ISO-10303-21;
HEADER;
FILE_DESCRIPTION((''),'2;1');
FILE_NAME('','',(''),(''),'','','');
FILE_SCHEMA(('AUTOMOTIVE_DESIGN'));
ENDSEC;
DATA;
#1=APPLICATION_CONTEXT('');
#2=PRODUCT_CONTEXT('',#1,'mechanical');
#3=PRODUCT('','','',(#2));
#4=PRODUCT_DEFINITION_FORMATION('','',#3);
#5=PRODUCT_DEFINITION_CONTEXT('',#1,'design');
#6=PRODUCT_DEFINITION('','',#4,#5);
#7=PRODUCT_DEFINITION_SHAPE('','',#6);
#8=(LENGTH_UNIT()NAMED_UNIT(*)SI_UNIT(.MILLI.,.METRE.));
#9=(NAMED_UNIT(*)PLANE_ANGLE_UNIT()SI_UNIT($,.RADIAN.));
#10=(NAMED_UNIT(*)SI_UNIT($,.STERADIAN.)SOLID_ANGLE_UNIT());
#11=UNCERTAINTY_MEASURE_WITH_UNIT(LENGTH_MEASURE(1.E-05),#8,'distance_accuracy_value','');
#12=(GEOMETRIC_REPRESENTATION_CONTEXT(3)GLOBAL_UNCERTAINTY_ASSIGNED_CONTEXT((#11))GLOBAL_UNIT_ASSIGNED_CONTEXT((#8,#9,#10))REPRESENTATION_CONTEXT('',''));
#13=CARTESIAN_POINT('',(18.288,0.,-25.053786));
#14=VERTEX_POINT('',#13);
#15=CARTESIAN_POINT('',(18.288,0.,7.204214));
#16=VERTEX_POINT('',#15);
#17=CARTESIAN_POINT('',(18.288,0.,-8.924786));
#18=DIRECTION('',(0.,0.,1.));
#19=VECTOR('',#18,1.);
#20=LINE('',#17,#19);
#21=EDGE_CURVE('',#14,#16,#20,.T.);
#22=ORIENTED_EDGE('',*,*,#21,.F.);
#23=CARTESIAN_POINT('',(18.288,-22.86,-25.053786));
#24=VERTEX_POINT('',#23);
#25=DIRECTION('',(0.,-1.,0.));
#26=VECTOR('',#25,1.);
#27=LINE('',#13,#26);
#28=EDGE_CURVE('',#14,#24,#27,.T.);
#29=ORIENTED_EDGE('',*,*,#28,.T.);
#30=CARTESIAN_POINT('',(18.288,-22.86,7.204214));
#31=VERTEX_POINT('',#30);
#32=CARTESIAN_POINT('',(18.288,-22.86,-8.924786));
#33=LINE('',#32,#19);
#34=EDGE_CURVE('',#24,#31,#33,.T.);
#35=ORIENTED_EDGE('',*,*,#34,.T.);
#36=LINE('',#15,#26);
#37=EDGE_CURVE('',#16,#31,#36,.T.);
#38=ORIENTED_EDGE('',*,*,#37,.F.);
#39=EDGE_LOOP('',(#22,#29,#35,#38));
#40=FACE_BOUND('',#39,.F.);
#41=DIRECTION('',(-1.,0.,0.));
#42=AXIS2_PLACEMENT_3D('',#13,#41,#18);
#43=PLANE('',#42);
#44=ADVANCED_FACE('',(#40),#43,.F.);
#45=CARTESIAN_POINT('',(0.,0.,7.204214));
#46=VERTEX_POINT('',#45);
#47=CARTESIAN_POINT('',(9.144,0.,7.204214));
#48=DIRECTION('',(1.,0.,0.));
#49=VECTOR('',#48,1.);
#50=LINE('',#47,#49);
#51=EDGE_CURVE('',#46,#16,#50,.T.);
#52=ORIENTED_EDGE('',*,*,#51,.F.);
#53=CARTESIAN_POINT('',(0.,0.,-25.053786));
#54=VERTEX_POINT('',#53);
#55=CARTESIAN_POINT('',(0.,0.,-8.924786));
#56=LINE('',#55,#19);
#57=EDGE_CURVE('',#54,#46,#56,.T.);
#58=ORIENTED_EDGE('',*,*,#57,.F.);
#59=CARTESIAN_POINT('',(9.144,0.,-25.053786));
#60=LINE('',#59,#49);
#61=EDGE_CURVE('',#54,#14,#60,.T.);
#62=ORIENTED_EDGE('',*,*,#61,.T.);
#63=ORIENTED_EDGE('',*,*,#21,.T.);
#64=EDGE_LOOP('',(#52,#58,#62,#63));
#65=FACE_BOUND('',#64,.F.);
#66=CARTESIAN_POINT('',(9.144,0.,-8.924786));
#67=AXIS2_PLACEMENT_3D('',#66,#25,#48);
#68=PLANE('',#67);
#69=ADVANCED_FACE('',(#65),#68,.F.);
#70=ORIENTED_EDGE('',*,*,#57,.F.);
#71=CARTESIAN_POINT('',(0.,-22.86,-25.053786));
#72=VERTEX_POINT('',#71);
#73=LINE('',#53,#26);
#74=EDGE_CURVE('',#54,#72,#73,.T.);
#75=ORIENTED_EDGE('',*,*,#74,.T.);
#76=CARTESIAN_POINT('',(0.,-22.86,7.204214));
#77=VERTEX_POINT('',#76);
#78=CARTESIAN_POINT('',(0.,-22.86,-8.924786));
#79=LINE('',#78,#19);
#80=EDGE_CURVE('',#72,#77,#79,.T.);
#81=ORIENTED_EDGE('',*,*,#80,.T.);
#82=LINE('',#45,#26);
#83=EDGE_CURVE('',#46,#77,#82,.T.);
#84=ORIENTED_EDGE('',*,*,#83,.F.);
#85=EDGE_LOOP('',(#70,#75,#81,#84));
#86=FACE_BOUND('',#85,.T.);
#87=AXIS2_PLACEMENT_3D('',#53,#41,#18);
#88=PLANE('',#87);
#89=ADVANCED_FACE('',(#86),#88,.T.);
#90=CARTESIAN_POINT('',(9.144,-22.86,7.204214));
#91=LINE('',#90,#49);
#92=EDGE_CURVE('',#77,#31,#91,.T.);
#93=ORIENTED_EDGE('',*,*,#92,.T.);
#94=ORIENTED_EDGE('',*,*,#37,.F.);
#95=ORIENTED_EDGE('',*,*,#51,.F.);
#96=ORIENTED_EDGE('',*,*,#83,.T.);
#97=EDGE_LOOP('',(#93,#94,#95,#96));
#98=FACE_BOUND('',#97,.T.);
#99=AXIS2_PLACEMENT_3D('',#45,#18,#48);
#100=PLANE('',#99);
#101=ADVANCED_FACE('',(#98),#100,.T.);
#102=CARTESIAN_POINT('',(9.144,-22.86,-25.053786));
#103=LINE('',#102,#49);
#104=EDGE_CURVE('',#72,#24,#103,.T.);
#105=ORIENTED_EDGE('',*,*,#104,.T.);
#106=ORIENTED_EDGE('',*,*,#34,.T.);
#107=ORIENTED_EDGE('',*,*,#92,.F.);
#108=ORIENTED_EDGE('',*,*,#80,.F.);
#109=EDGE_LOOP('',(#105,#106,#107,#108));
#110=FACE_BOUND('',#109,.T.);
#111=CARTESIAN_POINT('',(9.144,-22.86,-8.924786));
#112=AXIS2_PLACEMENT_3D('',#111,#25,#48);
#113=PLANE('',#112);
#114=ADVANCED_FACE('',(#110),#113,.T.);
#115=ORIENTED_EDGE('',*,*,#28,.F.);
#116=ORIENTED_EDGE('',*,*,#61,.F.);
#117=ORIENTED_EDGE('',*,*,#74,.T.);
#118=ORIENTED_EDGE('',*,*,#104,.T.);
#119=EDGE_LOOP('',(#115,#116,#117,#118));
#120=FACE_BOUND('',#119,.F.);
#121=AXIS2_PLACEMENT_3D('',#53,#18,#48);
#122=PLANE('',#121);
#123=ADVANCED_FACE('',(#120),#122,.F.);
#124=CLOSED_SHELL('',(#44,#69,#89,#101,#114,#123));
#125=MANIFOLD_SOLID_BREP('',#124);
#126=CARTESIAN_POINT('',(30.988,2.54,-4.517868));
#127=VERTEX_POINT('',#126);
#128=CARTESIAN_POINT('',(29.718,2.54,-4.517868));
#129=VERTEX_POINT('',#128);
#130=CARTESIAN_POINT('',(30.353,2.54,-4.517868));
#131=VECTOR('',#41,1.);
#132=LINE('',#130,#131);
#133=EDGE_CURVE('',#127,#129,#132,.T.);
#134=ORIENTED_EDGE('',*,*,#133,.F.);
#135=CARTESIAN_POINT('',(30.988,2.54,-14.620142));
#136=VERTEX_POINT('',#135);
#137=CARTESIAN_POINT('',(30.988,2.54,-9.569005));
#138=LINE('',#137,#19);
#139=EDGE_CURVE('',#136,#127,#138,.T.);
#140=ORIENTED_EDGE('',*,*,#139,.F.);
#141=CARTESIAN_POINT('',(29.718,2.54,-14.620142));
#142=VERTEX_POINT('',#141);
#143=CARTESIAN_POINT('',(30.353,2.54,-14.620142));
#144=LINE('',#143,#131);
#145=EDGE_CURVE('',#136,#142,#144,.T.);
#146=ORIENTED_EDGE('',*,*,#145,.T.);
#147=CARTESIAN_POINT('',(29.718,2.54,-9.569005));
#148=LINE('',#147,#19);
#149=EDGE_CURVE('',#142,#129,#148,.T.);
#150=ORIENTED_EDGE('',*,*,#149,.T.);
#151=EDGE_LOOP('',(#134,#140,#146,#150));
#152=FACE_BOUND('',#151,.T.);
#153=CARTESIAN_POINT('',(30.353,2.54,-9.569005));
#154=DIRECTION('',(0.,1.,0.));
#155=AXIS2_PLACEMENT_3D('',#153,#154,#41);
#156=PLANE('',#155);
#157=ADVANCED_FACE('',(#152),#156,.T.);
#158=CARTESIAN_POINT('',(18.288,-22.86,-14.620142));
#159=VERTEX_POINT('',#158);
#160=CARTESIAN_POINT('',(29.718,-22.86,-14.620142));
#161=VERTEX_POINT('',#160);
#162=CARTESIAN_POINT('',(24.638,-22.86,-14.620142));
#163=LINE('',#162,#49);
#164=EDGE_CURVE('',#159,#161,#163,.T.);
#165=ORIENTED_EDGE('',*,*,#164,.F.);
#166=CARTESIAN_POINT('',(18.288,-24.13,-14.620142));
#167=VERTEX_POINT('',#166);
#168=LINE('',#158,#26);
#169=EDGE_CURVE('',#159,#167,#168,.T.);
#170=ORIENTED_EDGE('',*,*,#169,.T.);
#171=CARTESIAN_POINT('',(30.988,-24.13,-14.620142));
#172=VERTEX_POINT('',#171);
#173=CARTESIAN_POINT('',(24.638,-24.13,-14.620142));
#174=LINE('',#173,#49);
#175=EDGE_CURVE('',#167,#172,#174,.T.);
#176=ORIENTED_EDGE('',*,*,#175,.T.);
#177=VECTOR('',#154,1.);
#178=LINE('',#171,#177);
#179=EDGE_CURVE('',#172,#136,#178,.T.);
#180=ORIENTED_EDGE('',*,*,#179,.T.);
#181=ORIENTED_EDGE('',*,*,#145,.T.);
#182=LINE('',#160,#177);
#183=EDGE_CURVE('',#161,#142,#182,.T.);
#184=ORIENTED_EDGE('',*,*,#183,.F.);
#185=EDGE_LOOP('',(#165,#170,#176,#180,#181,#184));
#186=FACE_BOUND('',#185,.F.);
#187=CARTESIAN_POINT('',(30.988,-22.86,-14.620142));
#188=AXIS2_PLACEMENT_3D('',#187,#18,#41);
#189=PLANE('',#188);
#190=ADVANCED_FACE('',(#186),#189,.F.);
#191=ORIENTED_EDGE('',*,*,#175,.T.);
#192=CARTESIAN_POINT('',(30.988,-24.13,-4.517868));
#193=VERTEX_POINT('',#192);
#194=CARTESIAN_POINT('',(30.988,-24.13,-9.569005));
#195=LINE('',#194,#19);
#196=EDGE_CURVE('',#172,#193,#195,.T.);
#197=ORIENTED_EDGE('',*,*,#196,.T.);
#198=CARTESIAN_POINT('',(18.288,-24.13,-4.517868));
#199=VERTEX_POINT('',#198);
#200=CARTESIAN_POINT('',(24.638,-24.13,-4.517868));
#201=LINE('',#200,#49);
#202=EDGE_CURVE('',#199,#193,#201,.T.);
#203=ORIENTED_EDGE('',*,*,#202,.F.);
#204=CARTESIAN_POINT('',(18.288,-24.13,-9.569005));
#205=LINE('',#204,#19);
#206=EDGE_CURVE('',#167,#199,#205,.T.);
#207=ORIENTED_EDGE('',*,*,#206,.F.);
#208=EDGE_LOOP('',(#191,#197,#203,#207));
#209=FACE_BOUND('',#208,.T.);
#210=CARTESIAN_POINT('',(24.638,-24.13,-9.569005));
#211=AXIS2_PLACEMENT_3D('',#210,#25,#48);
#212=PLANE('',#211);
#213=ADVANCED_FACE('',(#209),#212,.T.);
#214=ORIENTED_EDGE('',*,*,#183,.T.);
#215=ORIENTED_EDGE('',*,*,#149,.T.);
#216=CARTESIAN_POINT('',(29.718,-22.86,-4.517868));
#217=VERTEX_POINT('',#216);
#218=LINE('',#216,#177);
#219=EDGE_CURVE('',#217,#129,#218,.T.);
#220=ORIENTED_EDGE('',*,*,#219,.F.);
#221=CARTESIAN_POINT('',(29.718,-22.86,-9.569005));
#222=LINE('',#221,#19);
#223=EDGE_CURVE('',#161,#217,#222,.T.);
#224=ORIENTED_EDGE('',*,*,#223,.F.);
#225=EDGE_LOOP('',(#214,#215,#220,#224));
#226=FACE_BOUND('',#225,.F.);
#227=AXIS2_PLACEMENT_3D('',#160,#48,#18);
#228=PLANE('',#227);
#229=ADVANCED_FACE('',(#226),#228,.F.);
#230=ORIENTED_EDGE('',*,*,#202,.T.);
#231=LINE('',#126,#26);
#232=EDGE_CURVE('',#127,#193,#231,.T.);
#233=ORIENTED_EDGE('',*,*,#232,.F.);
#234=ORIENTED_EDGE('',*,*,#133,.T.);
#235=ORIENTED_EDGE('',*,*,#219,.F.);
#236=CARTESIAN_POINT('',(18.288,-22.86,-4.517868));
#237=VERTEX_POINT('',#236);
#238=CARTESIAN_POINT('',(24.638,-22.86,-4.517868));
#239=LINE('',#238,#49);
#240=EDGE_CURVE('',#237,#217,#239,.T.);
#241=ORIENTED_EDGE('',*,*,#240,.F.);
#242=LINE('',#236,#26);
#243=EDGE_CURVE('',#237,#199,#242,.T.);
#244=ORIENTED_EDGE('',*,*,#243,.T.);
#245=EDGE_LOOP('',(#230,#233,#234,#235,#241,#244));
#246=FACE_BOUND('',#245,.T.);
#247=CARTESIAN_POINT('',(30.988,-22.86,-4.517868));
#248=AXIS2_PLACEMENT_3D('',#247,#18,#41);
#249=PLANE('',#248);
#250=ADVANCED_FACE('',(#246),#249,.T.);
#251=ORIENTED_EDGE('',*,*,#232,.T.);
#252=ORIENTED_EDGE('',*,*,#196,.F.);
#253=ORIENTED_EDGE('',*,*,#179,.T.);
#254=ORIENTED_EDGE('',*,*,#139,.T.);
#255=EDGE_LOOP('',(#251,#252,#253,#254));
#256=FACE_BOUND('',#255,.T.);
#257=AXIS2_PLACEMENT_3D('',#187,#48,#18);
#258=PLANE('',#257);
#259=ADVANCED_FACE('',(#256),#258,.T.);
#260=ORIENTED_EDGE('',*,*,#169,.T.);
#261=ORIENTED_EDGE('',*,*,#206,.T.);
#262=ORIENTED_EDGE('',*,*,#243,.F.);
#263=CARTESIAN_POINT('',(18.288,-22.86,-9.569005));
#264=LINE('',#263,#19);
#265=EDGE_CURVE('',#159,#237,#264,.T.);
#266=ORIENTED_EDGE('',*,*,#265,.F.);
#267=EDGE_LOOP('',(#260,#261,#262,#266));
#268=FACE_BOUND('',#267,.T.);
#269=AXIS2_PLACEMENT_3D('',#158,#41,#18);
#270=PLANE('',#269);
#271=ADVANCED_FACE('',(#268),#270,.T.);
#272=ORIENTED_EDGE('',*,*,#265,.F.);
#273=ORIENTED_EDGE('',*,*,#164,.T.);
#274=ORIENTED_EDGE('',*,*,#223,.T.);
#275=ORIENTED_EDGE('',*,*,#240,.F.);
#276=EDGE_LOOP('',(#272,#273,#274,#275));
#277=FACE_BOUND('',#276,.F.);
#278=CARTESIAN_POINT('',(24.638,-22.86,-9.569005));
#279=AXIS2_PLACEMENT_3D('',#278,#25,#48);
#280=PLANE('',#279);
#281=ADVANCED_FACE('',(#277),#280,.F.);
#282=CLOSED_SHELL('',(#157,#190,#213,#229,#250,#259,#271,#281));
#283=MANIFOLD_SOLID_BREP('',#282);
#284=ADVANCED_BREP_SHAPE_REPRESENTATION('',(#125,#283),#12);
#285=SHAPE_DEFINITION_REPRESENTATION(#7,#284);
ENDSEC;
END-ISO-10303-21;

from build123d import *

# Parameters (mm, degrees)
F0_W     = 18.288
F0_H     = 32.258
F1_DEPTH = 22.86
F2_W     = 12.7
F2_H     = 10.102273
F3_DEPTH = 1.27
F4_W     = 1.27
F4_H     = 10.102273
F5_DEPTH = 25.4


with BuildPart() as f1:
    # F0 (on Front) → F1 (new body)
    with BuildSketch(Plane.XZ):
        with Locations((9.144, -8.924786)):
            Rectangle(F0_W, F0_H)
    extrude(amount=F1_DEPTH)


with BuildPart() as f3:
    # F2 (on face) → F3 (new body)
    with BuildSketch(Plane.XZ.offset(22.86)):
        with Locations((24.638, -9.569005)):
            Rectangle(F2_W, F2_H)
    extrude(amount=F3_DEPTH)

    # F4 (on face) → F5 (join)
    with BuildSketch(Plane(origin=(0, -22.86, 0), x_dir=(-1, 0, 0), z_dir=(0, 1, 0))):
        with Locations((-30.353, -9.569005)):
            Rectangle(F4_W, F4_H)
    extrude(amount=F5_DEPTH)


solid = Compound([f1.part, f3.part])
